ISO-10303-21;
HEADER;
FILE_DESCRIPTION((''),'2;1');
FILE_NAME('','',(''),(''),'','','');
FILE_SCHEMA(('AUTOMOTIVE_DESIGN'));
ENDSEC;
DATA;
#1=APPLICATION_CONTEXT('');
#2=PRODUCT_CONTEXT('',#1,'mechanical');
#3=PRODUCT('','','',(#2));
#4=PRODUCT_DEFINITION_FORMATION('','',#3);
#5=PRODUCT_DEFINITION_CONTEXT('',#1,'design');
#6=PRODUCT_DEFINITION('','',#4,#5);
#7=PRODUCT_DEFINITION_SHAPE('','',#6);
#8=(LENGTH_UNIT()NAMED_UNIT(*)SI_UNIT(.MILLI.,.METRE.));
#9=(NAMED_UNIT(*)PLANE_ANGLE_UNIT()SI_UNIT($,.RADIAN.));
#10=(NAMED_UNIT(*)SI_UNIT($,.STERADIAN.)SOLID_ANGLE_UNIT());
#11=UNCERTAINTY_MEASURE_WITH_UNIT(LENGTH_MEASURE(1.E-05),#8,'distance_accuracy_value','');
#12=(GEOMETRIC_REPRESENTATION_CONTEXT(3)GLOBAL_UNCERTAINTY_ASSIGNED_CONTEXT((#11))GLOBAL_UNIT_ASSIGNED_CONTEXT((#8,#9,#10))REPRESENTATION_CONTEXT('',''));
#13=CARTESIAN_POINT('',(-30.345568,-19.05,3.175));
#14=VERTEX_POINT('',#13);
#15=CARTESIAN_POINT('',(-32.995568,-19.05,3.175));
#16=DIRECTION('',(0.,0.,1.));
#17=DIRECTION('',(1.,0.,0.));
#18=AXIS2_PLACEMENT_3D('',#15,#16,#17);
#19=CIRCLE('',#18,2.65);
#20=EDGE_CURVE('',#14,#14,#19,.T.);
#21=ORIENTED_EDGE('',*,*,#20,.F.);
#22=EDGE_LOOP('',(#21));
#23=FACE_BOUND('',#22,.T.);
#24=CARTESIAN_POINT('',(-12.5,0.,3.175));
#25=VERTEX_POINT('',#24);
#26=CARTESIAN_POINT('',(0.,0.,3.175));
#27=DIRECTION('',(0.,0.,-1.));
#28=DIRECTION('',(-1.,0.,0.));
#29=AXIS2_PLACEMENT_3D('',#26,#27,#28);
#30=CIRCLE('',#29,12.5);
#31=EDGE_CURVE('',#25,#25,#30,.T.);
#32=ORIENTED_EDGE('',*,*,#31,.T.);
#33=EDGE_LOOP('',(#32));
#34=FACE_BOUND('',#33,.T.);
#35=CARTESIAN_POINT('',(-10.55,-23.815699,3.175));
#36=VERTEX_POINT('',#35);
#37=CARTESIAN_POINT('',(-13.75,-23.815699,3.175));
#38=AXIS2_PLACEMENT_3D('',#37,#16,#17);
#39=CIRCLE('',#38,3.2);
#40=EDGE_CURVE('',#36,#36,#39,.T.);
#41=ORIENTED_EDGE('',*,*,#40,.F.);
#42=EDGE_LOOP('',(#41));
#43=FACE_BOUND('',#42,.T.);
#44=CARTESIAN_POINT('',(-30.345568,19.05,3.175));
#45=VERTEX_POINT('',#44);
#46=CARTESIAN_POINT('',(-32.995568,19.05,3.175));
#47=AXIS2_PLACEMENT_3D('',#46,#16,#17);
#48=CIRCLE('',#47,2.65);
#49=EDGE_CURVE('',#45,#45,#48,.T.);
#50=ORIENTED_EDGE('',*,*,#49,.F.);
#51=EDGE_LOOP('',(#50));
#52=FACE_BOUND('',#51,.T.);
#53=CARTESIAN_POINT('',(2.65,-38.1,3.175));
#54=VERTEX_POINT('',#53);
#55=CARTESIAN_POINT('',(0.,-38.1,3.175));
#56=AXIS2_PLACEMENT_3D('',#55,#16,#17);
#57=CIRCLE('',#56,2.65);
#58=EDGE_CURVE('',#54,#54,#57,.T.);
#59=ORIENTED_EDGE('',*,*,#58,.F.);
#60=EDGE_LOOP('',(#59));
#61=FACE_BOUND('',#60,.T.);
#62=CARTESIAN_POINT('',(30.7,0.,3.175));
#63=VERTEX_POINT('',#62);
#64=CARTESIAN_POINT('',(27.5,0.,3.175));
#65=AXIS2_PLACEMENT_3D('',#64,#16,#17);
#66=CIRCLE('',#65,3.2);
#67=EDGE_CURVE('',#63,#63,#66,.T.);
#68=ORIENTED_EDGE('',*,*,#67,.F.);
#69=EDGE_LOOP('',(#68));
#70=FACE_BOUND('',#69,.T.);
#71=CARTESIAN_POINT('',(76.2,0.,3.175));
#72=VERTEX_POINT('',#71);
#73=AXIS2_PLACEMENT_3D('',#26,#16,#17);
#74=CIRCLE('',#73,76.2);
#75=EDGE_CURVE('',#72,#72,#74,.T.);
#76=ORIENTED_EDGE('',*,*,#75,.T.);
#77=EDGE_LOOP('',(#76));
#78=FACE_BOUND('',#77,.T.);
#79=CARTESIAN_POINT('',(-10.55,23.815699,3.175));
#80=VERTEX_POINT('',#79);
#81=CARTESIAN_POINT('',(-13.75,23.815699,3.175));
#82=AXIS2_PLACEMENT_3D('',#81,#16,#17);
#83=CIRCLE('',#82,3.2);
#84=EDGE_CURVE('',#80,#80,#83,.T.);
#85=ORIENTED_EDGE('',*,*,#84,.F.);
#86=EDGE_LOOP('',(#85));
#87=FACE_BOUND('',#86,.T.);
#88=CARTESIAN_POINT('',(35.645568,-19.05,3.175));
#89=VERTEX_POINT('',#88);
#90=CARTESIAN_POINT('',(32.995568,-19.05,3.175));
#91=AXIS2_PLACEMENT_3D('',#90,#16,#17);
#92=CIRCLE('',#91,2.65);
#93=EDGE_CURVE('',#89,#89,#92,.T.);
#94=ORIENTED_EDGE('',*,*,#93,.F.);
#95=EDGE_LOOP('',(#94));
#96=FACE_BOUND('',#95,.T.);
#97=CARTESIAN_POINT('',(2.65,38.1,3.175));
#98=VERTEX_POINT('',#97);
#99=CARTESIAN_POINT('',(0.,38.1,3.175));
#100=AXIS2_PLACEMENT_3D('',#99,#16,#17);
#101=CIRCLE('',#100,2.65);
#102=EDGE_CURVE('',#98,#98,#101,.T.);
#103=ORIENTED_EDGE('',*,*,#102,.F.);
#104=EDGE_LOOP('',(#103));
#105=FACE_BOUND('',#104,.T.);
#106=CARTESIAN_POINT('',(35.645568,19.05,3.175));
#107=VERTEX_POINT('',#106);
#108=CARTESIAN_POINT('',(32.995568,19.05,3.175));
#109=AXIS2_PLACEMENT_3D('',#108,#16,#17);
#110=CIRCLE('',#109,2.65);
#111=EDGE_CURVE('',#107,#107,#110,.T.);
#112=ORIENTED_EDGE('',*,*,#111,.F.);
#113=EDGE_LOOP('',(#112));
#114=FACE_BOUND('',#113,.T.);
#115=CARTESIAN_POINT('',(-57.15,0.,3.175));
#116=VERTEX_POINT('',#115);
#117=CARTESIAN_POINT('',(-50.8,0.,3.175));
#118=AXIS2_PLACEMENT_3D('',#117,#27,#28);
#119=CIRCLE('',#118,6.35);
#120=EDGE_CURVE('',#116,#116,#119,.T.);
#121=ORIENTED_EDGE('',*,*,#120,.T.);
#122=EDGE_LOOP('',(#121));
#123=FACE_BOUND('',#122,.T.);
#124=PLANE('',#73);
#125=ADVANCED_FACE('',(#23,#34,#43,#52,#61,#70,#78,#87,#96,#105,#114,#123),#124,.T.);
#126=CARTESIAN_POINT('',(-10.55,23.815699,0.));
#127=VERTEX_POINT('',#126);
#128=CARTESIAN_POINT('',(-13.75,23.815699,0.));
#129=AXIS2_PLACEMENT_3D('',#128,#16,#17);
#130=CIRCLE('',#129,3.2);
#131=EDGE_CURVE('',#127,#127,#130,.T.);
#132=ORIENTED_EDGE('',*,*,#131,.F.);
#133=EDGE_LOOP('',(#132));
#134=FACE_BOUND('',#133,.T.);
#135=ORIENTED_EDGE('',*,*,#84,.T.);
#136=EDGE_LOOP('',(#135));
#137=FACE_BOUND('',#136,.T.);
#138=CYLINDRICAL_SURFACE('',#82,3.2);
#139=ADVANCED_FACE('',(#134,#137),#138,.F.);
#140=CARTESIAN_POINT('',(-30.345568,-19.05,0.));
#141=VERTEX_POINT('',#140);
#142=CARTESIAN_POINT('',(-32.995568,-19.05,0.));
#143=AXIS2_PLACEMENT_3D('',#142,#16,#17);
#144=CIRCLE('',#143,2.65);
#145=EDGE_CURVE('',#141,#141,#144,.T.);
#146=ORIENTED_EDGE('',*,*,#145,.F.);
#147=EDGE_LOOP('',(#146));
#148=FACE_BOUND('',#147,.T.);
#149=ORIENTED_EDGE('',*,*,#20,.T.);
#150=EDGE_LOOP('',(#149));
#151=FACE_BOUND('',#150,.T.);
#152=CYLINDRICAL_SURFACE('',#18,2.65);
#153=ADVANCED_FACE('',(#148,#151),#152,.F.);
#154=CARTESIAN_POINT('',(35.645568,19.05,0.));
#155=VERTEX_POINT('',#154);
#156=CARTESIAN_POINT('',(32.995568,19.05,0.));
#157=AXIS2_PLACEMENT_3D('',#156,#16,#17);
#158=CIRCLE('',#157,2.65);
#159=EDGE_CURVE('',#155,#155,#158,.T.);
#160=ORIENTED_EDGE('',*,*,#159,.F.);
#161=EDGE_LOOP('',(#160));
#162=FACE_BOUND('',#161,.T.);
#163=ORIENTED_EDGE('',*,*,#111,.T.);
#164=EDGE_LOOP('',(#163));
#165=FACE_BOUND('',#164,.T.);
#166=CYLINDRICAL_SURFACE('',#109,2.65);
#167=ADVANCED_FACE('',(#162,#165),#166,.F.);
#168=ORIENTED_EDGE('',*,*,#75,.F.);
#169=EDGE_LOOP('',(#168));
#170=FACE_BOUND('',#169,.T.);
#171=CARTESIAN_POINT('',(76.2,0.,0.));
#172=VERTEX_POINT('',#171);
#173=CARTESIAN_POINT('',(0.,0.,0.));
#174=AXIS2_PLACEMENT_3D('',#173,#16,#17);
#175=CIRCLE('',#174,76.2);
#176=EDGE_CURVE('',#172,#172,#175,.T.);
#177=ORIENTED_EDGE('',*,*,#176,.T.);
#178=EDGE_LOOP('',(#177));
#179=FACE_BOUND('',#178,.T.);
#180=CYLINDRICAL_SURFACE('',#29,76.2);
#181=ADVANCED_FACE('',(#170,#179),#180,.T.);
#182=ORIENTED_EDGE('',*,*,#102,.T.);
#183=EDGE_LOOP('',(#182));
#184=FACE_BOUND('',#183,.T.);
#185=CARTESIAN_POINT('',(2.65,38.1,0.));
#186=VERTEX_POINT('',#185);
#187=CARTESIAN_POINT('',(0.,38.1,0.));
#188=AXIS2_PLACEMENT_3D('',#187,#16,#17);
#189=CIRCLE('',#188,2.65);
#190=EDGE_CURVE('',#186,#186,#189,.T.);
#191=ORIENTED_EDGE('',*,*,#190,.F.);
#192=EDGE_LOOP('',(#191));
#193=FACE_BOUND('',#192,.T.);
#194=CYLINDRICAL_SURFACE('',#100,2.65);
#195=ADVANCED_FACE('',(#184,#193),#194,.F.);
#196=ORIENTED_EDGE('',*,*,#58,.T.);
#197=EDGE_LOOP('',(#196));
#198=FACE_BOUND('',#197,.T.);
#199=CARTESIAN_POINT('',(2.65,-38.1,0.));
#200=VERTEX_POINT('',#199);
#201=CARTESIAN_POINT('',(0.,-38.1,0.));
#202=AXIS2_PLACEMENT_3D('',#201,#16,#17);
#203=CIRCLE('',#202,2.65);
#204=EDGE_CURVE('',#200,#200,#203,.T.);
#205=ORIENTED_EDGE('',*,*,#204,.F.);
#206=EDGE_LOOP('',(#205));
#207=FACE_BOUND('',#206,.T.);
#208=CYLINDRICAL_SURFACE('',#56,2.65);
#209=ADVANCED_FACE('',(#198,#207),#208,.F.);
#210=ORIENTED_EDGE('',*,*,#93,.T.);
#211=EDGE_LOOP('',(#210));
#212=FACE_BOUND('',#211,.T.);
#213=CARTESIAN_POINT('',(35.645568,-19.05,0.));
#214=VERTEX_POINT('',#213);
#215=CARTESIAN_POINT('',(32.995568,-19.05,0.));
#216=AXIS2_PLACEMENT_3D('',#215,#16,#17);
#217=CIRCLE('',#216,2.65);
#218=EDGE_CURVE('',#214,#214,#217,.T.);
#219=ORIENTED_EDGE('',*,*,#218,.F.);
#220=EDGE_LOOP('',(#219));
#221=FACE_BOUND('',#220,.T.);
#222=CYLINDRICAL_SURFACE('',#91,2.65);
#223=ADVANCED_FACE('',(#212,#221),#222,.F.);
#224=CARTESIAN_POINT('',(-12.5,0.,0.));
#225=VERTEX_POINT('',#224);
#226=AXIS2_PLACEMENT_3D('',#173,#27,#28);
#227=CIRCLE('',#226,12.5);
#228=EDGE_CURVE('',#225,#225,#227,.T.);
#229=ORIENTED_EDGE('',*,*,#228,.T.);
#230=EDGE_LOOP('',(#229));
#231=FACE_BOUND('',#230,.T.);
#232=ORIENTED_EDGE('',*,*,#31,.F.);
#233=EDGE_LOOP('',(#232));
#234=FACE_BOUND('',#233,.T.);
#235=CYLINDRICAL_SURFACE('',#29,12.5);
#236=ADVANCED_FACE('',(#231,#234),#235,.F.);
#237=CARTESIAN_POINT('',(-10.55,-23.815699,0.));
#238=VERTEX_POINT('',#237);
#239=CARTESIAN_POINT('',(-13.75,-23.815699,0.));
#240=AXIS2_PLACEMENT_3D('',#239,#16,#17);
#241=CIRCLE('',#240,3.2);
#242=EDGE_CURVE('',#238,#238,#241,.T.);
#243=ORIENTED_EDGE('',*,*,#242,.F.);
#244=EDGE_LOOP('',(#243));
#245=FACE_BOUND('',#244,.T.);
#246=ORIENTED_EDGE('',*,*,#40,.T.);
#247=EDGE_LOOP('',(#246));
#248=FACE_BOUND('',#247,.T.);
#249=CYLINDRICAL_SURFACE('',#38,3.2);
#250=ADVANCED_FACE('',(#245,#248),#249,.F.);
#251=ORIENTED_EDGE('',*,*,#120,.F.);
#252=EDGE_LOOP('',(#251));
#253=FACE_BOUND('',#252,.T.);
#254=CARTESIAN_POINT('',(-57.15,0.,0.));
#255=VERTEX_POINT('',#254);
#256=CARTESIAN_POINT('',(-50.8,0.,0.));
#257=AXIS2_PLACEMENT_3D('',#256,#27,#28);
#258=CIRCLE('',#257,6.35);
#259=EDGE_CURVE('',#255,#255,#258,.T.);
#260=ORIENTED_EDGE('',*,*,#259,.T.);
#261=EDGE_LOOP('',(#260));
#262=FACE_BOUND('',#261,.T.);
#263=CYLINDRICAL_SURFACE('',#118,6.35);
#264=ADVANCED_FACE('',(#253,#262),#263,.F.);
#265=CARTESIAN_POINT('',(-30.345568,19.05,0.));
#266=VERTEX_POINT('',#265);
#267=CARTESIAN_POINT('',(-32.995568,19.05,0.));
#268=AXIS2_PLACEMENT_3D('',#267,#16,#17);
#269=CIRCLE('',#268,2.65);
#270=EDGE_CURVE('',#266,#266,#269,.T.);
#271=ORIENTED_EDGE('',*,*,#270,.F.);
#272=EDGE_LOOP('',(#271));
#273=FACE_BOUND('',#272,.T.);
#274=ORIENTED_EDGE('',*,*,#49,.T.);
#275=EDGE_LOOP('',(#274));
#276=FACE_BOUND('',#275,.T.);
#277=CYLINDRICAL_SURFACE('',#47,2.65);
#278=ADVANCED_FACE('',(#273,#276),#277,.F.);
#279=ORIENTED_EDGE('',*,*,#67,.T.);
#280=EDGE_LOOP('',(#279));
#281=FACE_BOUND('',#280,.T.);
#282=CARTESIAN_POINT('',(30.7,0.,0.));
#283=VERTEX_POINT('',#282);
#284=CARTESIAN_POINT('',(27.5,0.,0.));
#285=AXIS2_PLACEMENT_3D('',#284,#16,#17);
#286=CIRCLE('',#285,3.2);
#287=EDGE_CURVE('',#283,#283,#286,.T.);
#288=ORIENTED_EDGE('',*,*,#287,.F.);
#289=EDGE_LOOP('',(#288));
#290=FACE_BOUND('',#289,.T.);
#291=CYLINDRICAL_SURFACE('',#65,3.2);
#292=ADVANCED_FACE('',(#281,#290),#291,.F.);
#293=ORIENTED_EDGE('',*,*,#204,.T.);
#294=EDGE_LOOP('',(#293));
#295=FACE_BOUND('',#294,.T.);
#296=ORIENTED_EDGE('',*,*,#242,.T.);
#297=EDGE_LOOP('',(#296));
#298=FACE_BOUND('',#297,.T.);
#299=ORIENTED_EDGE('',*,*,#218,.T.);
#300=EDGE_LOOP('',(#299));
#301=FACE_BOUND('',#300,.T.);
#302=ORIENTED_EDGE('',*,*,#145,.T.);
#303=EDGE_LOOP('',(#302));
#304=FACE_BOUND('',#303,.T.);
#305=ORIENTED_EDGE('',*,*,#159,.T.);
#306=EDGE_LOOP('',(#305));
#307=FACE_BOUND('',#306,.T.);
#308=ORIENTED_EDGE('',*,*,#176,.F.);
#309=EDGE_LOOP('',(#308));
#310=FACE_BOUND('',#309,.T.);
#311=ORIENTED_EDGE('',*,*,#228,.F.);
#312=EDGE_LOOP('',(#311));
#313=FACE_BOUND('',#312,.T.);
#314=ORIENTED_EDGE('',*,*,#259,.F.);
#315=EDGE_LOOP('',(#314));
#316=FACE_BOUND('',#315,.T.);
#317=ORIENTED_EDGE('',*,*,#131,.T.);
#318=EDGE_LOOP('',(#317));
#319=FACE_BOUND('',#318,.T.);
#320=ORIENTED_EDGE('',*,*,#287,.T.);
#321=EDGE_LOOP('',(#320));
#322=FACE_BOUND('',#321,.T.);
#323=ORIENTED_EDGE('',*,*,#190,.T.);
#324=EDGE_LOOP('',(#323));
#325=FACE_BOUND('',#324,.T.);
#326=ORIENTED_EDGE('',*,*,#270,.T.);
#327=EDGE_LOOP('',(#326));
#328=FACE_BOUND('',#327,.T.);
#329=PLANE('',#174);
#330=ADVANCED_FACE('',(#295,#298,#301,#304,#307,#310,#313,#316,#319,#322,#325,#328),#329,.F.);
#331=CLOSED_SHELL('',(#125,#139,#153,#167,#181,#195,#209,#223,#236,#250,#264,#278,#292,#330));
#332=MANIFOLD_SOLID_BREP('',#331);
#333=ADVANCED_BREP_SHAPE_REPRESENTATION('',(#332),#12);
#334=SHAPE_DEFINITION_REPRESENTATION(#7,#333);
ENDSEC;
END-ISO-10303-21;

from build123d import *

# Parameters (mm, degrees)
SKETCH1_R           = 76.2
BOSS_EXTRUDE1_DEPTH = 3.175
CIRPATTERN1_COUNT   = 3
CIRPATTERN2_COUNT   = 6
SKETCH7_R           = 12.5
CUT_EXTRUDE2_DEPTH  = 4.175
SKETCH8_R           = 6.35
CUT_EXTRUDE3_DEPTH  = 4.175


with BuildPart() as part:
    # Sketch1 → Boss-Extrude1 (new body)
    with BuildSketch(Plane.XY):
        Circle(SKETCH1_R)
    extrude(amount=BOSS_EXTRUDE1_DEPTH)

    # Sketch4 → M5 Clearance Hole2 (revolve, cut)
    with BuildSketch(Plane(origin=(0, 38.1, 3.175), x_dir=(0, -1, 0), z_dir=(1, 0, 0))):
        Polygon((0, 0), (0, 14.03828064), (2.65, 12.446), (2.65, 0), align=None)
    m5_clearance_hole2 = revolve(axis=Axis((0, 38.1, 9.525), (0, 0, -1)), mode=Mode.SUBTRACT)

    # Sketch5 → M6 Clearance Hole1 (revolve, cut)
    with BuildSketch(Plane(origin=(-13.75, 23.815698604, 3.175), x_dir=(0, -1, 0), z_dir=(1, 0, 0))):
        Polygon((0, 0), (0, 14.368753981), (3.2, 12.446), (3.2, 0), align=None)
    m6_clearance_hole1 = revolve(axis=Axis((-13.75, 23.815698604, 9.525), (0, 0, -1)), mode=Mode.SUBTRACT)

    # CirPattern1: M6 Clearance Hole1 ×3 about axis
    cirpattern1_axis = Axis((0, 0, 0), (0, 0, 1))
    for i in range(1, CIRPATTERN1_COUNT):
        add(m6_clearance_hole1.rotate(cirpattern1_axis, i * 360 / CIRPATTERN1_COUNT), mode=Mode.SUBTRACT)

    # CirPattern2: M5 Clearance Hole2 ×6 about axis
    cirpattern2_axis = Axis((0, 0, 0), (0, 0, 1))
    for i in range(1, CIRPATTERN2_COUNT):
        add(m5_clearance_hole2.rotate(cirpattern2_axis, i * 360 / CIRPATTERN2_COUNT), mode=Mode.SUBTRACT)

    # Sketch7 → Cut-Extrude2 (cut, through all)
    with BuildSketch(Plane(origin=(0, 0, 0), x_dir=(-1, 0, 0), z_dir=(0, 0, -1))):
        Circle(SKETCH7_R)
    extrude(amount=-CUT_EXTRUDE2_DEPTH, mode=Mode.SUBTRACT)

    # Sketch8 → Cut-Extrude3 (cut, through all)
    with BuildSketch(Plane(origin=(0, 0, 0), x_dir=(-1, 0, 0), z_dir=(0, 0, -1))):
        with Locations((50.8, 0)):
            Circle(SKETCH8_R)
    extrude(amount=-CUT_EXTRUDE3_DEPTH, mode=Mode.SUBTRACT)


solid = part.part
